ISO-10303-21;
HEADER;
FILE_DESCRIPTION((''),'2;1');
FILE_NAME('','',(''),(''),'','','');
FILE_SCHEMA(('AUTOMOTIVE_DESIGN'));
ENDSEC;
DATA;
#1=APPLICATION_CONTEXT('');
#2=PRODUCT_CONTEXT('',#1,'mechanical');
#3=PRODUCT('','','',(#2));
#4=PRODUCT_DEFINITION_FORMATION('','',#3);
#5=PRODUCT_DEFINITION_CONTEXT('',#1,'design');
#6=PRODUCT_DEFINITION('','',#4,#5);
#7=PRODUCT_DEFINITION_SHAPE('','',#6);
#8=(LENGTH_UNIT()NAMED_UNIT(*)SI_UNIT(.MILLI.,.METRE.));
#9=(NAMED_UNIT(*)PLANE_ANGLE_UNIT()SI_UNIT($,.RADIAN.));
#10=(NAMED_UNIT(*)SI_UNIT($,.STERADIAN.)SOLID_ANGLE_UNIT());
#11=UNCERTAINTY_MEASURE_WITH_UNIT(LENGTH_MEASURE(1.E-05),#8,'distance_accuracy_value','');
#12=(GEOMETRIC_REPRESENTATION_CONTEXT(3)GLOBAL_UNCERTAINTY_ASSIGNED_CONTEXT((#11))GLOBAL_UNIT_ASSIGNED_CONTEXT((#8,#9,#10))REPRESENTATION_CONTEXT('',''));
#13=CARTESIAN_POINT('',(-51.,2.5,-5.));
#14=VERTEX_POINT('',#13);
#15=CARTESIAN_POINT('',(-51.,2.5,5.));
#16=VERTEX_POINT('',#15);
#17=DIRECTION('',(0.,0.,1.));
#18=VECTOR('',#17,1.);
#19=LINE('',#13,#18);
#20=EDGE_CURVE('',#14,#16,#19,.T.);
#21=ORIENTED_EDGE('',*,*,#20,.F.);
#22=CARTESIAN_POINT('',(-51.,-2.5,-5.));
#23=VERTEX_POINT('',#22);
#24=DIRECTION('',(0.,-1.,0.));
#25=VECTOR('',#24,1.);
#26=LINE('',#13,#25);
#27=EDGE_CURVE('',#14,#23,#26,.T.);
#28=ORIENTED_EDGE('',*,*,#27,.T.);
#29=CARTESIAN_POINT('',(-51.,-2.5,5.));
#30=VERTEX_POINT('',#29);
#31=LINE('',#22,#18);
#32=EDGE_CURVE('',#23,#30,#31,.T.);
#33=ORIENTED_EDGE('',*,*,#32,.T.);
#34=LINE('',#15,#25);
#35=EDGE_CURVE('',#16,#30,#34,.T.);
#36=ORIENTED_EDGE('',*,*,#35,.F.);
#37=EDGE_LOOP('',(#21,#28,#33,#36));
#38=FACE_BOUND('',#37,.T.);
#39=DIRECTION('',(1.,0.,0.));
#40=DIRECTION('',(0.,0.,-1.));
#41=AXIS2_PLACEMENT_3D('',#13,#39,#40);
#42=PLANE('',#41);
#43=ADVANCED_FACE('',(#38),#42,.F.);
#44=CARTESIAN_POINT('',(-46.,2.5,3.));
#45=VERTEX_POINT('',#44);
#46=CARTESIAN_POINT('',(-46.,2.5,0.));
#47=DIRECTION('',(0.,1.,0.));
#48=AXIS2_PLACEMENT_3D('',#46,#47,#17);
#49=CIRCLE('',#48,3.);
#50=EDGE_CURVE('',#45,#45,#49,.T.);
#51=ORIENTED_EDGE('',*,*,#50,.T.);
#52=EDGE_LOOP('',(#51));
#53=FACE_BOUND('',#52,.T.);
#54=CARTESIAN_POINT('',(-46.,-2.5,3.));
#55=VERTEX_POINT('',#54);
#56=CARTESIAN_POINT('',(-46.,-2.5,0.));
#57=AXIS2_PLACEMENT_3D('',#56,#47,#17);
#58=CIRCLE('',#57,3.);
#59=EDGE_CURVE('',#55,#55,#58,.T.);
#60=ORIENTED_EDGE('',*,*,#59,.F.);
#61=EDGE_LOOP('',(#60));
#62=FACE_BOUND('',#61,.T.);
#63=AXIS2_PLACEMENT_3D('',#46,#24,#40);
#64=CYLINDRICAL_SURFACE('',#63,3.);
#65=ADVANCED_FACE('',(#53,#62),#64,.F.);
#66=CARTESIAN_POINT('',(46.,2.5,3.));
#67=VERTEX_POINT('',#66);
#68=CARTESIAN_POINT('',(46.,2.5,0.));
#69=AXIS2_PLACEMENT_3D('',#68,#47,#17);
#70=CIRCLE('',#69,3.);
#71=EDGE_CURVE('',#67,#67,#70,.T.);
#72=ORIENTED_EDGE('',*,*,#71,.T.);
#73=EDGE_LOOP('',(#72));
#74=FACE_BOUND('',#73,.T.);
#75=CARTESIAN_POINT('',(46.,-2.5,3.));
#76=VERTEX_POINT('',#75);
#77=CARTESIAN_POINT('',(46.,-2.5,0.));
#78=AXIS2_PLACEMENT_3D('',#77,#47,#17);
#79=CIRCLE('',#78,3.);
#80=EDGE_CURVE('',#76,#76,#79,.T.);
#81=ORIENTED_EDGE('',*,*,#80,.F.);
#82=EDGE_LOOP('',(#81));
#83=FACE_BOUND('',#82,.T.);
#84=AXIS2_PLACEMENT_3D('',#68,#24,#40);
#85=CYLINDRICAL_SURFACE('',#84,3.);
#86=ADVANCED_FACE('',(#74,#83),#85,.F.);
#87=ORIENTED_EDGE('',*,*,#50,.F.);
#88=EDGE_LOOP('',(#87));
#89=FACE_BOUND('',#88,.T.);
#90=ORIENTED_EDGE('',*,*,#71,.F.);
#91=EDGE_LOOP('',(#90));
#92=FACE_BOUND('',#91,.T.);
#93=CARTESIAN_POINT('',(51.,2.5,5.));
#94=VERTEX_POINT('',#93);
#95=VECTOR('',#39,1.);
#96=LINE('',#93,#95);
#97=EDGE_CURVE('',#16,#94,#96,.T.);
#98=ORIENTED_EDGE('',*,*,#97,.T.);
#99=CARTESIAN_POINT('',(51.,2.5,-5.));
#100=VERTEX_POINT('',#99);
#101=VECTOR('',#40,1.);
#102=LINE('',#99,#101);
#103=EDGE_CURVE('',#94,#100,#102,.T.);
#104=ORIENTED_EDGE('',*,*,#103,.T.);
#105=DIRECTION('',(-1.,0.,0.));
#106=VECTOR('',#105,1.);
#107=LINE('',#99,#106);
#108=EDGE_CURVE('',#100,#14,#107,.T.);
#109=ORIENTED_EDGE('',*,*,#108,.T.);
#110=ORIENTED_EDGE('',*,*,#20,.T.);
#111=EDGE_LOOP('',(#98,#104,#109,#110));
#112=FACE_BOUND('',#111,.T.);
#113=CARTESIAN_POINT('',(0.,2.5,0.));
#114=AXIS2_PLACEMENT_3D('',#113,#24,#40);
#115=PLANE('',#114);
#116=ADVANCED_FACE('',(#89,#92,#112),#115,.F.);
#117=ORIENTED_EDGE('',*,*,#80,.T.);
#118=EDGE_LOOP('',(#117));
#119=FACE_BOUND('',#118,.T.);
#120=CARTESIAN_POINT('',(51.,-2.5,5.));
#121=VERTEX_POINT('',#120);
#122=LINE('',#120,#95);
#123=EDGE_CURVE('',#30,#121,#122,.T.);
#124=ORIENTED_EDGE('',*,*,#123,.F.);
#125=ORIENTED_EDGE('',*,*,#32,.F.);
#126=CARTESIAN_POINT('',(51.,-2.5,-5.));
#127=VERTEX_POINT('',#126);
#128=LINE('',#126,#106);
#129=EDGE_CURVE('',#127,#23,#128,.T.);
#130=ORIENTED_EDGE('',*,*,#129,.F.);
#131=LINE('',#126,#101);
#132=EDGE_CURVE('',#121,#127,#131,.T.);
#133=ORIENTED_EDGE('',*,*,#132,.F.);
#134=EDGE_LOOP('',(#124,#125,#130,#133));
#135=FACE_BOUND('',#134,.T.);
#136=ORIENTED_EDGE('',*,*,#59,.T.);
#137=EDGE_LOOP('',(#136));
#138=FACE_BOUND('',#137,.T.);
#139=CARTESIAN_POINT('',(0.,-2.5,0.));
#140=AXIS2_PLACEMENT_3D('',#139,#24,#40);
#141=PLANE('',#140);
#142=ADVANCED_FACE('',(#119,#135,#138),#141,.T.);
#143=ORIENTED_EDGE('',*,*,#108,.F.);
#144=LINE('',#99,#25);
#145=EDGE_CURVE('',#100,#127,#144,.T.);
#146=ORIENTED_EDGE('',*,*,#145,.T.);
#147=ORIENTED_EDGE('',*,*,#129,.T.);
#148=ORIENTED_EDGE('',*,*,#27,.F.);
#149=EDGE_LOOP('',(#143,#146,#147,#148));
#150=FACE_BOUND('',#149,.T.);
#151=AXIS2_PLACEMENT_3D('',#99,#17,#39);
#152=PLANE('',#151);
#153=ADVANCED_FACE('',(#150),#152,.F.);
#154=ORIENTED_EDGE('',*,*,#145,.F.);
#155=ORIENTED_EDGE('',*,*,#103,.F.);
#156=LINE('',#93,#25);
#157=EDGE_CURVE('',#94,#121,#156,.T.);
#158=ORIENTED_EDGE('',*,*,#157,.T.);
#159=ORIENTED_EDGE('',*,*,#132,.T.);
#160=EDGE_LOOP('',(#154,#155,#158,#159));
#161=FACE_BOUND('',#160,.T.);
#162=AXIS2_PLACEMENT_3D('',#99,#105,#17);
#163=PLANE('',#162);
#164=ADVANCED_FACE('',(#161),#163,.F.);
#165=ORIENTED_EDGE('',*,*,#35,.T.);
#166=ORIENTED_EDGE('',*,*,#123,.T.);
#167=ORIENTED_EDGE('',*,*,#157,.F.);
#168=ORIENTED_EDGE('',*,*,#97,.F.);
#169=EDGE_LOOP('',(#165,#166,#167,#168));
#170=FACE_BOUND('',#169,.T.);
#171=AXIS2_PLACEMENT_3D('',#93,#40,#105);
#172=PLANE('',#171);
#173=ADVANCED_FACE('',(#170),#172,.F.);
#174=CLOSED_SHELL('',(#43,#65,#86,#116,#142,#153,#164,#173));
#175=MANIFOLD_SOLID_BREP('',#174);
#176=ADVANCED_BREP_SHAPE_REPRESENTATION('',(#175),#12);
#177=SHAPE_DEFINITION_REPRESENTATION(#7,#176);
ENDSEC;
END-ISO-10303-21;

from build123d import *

# Parameters (mm, degrees)
SKETCH1_W           = 102
SKETCH1_H           = 10
SKETCH1_R           = 3
BOSS_EXTRUDE1_DEPTH = 2.5


with BuildPart() as part:
    # Sketch1 → Boss-Extrude1 (new, symmetric)
    with BuildSketch(Plane(origin=(0, 0, 0), x_dir=(1, 0, 0), z_dir=(0, 1, 0))):
        Rectangle(SKETCH1_W, SKETCH1_H)
        with Locations(Location((-46, 0, 0), (0, 0, 270))):
            Circle(SKETCH1_R, mode=Mode.SUBTRACT)
        with Locations(Location((46, 0, 0), (0, 0, 270))):
            Circle(SKETCH1_R, mode=Mode.SUBTRACT)
    extrude(amount=BOSS_EXTRUDE1_DEPTH, both=True)


solid = part.part
